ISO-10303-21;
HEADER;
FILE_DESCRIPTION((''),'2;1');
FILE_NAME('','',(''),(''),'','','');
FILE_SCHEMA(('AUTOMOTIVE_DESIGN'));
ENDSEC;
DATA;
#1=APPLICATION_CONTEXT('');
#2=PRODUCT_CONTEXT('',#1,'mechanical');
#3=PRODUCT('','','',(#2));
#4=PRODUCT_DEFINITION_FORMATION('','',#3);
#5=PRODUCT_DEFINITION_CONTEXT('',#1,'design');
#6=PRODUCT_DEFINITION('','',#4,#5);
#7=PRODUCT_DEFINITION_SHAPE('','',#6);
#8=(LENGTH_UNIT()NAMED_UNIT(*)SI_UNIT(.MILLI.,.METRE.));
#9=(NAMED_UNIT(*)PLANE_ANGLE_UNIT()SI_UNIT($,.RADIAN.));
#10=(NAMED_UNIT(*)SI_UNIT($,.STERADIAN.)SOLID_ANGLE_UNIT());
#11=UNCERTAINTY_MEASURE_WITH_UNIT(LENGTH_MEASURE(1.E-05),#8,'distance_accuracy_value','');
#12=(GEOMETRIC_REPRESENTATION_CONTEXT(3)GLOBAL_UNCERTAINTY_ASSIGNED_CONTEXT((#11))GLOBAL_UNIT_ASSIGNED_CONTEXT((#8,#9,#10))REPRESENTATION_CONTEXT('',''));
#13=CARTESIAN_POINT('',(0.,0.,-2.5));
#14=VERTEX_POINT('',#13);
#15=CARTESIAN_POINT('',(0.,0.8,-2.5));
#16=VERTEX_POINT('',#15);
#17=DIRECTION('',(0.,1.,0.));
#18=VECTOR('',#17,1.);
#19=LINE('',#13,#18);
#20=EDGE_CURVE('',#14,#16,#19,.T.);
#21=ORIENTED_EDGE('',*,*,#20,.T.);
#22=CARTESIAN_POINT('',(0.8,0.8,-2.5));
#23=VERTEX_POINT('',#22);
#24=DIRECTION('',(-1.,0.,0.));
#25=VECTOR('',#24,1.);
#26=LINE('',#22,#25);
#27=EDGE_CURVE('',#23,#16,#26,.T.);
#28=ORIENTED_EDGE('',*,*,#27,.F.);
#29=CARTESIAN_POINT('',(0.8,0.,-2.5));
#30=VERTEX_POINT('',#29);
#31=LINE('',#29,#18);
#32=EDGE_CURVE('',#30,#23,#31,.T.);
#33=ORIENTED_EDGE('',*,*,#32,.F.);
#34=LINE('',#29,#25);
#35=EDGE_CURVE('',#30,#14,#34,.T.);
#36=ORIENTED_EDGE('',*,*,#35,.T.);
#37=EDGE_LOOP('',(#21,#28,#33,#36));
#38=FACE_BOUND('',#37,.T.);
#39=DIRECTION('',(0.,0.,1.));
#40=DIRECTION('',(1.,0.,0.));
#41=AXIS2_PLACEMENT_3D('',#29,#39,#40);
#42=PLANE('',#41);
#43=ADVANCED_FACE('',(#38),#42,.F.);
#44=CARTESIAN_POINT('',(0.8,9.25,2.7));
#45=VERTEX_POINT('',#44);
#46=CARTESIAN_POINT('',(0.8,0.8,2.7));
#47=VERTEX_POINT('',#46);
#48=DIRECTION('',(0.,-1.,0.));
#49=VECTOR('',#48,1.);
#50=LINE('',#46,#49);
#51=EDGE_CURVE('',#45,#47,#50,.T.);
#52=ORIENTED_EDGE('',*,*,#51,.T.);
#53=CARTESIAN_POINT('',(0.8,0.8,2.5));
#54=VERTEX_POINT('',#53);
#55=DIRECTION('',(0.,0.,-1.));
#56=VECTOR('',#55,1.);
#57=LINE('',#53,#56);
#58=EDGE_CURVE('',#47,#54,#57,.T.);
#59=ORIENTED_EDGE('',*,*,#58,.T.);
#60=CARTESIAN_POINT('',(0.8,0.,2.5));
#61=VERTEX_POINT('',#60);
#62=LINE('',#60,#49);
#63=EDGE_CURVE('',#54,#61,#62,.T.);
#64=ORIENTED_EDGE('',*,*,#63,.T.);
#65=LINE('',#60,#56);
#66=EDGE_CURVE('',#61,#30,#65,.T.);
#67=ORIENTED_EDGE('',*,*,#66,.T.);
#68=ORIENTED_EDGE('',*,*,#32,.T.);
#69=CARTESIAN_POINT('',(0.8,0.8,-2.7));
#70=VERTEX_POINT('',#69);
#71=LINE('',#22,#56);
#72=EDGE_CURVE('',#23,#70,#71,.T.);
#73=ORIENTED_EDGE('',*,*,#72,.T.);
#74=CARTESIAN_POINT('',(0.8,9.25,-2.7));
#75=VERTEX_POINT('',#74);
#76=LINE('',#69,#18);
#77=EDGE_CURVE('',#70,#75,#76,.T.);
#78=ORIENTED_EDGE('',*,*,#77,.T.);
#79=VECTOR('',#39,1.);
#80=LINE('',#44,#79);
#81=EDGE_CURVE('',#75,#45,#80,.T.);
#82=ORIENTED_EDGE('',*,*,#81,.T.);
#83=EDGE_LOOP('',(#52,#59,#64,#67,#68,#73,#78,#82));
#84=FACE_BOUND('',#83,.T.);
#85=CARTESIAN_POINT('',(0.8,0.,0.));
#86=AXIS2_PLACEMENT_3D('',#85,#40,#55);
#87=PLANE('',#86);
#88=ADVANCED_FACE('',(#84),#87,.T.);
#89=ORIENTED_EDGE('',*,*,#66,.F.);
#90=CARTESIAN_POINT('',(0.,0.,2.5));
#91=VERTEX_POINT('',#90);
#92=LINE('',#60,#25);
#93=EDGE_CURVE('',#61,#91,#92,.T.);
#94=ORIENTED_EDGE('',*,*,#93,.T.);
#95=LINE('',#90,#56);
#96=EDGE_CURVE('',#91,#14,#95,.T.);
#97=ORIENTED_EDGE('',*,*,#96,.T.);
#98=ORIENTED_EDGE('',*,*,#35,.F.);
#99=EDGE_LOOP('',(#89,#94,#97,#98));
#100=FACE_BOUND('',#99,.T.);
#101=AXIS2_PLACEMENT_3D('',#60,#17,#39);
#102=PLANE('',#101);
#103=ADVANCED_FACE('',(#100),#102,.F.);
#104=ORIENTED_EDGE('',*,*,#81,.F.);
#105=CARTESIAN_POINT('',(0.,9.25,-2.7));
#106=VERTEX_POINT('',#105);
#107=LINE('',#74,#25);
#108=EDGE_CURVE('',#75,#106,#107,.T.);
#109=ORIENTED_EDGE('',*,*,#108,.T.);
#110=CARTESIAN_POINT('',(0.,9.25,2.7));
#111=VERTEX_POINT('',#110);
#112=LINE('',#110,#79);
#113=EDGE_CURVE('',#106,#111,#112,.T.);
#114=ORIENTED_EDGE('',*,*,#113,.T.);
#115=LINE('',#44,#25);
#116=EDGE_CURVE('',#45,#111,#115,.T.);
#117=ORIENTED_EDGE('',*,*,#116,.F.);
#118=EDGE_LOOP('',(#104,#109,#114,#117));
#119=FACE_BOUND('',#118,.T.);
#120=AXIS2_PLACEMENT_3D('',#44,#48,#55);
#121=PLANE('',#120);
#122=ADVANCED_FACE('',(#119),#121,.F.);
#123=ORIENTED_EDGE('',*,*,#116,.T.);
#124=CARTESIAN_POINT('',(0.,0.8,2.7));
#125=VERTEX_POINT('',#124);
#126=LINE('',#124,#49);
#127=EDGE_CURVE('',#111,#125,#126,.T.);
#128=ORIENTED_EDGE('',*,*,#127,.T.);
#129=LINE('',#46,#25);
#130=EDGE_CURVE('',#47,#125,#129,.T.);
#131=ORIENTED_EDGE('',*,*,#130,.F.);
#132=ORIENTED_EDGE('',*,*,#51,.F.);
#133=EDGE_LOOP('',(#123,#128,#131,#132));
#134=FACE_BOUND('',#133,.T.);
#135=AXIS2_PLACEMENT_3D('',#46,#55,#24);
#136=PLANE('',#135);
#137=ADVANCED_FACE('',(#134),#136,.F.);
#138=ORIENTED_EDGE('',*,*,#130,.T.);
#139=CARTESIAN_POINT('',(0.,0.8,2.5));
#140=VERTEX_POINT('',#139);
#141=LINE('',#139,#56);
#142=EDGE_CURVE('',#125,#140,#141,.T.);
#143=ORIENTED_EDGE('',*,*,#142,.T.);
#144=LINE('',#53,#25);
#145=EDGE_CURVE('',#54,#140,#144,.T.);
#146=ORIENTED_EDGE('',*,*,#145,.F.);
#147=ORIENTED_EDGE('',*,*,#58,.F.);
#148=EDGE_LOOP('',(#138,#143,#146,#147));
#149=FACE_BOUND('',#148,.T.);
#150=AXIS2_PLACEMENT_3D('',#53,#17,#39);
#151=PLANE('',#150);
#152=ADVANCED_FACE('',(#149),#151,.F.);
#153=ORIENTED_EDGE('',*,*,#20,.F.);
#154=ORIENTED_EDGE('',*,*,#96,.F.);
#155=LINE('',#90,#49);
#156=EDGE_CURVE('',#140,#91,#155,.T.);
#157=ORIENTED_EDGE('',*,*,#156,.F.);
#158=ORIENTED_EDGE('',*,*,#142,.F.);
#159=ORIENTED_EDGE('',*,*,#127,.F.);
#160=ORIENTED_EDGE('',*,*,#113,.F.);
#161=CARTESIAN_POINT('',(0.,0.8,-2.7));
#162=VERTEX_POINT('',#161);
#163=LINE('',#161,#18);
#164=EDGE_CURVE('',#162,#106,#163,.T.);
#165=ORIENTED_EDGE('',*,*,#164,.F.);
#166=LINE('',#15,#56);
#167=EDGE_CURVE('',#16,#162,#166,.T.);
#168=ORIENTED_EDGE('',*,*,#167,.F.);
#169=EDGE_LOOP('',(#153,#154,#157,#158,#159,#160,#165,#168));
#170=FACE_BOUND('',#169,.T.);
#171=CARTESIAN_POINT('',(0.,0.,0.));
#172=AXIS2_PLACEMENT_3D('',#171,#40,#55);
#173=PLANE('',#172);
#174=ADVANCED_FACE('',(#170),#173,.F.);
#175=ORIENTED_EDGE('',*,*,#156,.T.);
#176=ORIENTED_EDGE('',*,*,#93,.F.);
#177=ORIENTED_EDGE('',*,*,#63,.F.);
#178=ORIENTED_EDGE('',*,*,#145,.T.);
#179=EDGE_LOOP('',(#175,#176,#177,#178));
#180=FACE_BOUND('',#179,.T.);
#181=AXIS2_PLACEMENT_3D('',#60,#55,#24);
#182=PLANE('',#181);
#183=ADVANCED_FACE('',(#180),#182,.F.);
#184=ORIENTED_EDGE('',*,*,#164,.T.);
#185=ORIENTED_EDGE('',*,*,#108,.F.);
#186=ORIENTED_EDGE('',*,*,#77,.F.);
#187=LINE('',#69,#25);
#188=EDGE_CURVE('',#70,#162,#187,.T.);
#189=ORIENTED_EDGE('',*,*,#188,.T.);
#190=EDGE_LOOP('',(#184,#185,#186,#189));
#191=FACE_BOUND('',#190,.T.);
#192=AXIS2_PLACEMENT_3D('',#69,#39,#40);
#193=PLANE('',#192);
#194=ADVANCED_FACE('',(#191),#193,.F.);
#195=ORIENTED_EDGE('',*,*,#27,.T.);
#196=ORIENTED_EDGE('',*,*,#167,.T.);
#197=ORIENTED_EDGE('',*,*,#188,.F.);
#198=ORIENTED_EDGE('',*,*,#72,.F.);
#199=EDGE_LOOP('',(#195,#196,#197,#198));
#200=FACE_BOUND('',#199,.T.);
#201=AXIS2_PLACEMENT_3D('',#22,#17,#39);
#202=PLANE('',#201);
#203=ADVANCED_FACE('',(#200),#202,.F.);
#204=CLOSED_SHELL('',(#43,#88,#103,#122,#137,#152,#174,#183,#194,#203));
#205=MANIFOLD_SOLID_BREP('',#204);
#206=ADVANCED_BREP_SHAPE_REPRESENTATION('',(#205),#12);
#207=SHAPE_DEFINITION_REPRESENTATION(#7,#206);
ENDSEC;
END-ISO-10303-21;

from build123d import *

# Parameters (mm, degrees)
EXTRUDE_1_DEPTH = 0.8


with BuildPart() as part:
    # 스케치3 → 보스-돌출1 (new body)
    with BuildSketch(Plane(origin=(0, 0, 0), x_dir=(0, 0, -1), z_dir=(1, 0, 0))):
        Polygon((-2.5, 0), (2.5, 0), (2.5, 0.8), (2.7, 0.8), (2.7, 9.25), (-2.7, 9.25), (-2.7, 0.8), (-2.5, 0.8), align=None)
    extrude(amount=EXTRUDE_1_DEPTH)


solid = part.part
